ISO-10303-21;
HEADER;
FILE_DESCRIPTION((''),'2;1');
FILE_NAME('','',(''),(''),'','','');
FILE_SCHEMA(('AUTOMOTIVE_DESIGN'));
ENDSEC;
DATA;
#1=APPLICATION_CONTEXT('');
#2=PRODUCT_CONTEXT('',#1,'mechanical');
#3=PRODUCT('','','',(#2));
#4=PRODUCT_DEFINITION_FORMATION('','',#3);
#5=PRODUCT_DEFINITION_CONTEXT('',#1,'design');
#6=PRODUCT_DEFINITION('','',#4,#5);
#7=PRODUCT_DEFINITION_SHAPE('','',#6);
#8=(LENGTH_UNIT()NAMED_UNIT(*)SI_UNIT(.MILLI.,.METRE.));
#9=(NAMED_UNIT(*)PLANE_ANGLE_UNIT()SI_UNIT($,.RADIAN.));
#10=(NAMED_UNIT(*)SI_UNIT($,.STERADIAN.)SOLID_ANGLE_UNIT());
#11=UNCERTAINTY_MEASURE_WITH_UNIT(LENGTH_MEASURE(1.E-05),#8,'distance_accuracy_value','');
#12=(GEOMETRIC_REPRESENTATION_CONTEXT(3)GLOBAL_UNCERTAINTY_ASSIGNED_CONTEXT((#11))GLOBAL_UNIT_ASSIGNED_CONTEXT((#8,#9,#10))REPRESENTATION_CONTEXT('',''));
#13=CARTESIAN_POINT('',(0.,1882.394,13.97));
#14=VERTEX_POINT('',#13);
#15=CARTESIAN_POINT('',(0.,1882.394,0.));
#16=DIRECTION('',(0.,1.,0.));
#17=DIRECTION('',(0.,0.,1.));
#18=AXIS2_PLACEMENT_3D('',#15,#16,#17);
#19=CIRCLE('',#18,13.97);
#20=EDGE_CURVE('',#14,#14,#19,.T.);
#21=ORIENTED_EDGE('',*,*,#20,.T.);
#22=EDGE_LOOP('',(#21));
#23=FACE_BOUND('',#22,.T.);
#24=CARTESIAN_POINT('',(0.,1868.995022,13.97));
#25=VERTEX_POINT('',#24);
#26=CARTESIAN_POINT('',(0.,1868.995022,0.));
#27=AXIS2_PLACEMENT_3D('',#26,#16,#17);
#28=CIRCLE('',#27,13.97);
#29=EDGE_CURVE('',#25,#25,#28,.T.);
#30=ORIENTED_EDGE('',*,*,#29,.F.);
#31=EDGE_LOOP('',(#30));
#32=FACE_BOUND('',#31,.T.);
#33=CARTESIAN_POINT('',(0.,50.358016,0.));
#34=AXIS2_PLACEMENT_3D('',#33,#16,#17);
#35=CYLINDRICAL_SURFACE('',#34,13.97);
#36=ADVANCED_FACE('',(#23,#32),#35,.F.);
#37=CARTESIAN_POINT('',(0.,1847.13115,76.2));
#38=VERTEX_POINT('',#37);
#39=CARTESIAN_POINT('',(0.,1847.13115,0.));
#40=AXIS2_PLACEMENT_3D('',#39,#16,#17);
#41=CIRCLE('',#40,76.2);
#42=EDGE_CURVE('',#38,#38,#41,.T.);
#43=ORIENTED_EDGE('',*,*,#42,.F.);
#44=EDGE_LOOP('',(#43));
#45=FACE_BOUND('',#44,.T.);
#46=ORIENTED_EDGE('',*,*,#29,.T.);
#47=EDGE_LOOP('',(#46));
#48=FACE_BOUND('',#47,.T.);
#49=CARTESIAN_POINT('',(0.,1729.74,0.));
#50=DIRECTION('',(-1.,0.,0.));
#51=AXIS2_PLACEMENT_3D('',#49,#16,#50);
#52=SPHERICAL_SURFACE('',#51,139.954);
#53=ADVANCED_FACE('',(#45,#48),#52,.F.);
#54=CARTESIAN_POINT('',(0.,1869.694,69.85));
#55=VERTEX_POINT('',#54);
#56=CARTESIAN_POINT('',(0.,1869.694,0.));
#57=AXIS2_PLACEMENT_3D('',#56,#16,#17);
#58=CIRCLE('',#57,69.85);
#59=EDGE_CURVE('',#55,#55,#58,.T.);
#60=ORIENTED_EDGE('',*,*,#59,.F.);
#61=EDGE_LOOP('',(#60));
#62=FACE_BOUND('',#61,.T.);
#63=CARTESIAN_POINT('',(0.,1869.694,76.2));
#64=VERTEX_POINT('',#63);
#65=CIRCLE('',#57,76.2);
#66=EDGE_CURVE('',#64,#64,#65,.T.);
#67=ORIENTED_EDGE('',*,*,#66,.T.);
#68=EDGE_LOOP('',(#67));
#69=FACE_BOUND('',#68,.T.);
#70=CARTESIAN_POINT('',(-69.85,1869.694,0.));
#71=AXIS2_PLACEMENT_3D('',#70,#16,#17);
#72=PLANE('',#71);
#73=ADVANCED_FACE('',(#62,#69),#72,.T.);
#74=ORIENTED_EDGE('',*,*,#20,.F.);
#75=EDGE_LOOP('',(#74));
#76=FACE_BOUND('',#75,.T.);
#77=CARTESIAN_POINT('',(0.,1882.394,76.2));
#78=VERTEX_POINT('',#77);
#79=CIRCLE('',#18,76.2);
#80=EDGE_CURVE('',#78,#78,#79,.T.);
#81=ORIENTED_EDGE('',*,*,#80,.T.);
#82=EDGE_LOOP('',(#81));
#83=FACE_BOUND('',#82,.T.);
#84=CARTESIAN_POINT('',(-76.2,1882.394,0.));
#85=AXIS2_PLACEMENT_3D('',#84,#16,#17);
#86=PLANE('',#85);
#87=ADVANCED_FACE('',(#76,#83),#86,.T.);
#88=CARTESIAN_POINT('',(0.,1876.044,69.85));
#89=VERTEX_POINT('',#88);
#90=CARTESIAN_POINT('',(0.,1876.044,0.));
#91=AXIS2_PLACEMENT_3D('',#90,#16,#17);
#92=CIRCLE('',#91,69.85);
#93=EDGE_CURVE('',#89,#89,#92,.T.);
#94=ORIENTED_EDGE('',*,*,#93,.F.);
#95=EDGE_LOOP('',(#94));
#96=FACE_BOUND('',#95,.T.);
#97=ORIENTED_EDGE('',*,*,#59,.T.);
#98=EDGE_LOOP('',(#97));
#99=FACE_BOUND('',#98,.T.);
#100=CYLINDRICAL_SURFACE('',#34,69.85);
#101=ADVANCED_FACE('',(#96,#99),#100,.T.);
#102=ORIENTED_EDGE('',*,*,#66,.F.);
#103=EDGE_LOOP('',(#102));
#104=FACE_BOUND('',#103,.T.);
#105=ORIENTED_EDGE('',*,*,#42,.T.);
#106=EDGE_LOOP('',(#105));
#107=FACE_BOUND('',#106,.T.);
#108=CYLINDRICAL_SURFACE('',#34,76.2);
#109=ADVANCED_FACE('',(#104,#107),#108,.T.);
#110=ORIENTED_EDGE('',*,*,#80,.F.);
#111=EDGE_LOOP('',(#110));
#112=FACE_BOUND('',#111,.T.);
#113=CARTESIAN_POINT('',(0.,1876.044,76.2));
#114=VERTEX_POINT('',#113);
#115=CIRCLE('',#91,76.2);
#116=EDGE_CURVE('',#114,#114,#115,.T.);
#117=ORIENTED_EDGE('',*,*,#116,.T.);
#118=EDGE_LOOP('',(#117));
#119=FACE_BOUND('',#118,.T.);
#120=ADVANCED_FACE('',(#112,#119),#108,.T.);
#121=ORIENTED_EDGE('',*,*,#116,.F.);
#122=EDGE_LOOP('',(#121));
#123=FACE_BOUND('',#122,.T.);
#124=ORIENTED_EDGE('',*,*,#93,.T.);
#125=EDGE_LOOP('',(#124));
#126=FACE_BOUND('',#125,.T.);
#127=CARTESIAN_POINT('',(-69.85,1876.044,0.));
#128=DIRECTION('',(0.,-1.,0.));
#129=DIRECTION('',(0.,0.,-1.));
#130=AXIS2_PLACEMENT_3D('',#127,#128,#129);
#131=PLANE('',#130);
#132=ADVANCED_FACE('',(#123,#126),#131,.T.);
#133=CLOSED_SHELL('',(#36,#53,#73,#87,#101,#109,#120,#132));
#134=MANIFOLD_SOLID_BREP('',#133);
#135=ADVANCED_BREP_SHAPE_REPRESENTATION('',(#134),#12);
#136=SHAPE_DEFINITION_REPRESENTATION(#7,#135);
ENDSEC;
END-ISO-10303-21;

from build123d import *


with BuildPart() as part:
    # Sketch1 → Revolve1 (revolve)
    with BuildSketch(Plane.XY):
        with BuildLine():
            Line((-69.85, 1876.044), (-69.85, 1869.694))
            Line((-69.85, 1869.694), (-76.2, 1869.694))
            Line((-76.2, 1869.694), (-76.2, 1847.131150075))
            ThreePointArc((-76.2, 1847.131150075), (-46.391426486, 1861.781499782), (-13.97, 1868.995022229))
            Line((-13.97, 1868.995022229), (-13.97, 1882.394))
            Line((-13.97, 1882.394), (-76.2, 1882.394))
            Line((-76.2, 1882.394), (-76.2, 1876.044))
            Line((-76.2, 1876.044), (-69.85, 1876.044))
        make_face()
    revolve(axis=Axis((0, 50.358015581, 0), (0, -1, 0)))


solid = part.part
